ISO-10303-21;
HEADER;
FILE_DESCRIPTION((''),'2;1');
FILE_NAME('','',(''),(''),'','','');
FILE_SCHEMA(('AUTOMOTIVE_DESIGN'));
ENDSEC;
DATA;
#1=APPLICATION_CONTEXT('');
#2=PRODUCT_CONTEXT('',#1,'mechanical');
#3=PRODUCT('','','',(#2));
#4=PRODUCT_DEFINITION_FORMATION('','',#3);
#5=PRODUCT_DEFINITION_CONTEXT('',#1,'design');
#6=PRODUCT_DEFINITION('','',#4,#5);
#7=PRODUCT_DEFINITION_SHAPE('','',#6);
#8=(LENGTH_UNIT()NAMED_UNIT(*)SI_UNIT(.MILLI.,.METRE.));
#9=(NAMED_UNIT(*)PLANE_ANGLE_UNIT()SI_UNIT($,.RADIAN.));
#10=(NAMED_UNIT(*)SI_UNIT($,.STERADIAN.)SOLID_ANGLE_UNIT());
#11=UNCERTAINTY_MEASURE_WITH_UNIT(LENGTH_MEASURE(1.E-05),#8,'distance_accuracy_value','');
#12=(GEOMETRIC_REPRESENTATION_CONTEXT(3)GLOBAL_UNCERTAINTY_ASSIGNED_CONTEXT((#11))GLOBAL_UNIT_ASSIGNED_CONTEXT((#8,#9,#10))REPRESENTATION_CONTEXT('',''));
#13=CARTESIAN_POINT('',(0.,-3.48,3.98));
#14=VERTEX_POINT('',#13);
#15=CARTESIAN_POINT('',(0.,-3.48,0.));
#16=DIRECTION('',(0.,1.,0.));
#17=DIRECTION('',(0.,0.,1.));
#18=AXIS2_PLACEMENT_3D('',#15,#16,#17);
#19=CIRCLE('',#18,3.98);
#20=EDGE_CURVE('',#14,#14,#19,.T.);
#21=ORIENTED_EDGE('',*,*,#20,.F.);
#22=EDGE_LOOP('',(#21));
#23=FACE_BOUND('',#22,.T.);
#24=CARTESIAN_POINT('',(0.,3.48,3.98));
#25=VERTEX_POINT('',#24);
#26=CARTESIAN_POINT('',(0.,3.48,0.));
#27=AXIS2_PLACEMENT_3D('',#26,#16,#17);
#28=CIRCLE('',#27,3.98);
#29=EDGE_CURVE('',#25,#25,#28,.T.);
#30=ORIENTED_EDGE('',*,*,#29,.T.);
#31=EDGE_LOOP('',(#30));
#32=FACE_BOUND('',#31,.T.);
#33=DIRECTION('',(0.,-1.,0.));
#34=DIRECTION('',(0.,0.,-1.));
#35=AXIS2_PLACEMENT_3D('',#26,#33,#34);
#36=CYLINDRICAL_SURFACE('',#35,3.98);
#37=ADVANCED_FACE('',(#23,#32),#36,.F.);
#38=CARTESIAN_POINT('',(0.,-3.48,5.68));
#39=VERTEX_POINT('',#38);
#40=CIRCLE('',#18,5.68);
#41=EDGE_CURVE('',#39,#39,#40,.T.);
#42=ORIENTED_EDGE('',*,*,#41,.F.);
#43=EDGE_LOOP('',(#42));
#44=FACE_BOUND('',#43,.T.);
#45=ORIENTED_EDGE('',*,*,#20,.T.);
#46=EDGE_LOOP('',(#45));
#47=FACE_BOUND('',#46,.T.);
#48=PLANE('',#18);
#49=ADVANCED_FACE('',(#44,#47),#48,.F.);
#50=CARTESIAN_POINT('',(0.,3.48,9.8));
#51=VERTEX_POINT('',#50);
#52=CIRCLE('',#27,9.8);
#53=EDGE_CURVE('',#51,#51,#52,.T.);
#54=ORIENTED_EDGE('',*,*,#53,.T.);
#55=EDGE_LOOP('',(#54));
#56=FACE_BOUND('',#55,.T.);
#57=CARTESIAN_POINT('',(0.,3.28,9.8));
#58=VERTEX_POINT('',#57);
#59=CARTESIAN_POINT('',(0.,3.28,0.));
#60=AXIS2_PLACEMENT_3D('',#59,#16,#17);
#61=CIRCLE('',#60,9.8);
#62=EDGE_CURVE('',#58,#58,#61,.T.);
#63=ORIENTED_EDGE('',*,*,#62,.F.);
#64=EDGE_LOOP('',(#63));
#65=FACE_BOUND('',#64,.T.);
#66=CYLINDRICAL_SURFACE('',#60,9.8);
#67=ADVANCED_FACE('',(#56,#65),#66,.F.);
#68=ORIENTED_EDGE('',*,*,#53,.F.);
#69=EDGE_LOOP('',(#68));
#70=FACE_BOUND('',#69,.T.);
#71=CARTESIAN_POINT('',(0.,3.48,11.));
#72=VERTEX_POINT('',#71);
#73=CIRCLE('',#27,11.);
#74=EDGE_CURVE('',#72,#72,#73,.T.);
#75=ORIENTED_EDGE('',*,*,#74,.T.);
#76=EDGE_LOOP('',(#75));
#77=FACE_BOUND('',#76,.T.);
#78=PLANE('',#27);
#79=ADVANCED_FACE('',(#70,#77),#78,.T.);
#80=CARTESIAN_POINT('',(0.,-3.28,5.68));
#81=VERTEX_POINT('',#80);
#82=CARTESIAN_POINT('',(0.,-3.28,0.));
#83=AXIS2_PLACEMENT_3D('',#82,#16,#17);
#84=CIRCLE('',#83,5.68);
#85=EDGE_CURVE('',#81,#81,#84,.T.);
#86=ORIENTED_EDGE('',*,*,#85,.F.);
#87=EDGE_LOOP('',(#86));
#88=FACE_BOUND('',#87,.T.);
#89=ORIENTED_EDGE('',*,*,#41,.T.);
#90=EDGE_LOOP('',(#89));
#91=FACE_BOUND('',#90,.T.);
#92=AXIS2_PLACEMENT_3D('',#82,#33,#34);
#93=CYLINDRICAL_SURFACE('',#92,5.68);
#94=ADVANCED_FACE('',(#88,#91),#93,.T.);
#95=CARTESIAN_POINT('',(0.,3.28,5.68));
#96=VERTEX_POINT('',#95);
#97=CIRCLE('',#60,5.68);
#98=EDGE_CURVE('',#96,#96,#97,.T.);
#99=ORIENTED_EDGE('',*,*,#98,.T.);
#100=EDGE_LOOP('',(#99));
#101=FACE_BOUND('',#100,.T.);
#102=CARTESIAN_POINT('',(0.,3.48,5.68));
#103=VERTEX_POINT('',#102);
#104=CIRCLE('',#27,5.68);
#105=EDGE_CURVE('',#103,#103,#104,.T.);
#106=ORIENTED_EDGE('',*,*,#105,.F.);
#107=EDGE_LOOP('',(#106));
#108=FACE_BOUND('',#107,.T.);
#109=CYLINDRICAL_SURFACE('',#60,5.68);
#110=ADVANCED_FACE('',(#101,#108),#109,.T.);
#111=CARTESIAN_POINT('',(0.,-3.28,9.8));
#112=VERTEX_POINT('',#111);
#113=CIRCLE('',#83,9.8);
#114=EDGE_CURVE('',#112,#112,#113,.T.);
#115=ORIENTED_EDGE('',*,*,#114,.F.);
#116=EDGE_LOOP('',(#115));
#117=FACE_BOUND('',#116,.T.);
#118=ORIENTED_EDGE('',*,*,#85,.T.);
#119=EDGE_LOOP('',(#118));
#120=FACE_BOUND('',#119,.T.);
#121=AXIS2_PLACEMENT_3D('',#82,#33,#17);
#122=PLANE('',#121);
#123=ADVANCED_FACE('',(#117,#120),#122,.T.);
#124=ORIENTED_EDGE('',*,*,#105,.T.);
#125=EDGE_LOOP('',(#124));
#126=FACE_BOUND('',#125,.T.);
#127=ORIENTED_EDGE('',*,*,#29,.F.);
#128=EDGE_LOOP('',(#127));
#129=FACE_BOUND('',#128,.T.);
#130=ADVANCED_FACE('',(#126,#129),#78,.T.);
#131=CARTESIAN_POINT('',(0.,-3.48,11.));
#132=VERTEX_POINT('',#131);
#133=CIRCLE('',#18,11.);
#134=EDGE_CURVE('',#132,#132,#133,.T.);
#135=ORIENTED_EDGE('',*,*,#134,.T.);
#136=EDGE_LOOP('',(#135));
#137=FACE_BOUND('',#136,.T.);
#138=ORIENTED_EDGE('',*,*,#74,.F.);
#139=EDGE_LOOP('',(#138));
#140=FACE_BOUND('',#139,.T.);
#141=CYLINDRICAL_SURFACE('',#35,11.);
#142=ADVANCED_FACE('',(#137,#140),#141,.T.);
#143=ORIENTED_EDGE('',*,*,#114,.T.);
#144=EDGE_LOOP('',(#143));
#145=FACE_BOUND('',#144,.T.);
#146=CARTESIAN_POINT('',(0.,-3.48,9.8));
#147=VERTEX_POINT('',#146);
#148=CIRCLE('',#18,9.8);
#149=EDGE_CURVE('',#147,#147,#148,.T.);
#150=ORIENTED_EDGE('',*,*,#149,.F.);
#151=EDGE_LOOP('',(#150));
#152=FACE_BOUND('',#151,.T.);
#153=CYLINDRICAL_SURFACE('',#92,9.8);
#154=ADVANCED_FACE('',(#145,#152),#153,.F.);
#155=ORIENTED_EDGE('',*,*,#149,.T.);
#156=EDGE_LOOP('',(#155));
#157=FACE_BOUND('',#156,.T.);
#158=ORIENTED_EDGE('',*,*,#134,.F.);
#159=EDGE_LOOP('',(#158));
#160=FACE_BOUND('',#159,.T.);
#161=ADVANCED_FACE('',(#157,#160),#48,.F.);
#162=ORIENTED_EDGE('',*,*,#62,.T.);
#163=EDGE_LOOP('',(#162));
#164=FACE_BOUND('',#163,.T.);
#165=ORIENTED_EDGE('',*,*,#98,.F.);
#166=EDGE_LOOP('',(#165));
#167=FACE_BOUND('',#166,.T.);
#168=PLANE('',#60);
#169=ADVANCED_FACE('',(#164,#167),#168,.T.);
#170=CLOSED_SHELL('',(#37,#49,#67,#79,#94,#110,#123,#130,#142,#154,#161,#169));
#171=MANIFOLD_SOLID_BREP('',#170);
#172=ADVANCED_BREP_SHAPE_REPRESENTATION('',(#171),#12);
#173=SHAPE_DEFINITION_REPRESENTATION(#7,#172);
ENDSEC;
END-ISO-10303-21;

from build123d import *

# Parameters (mm, degrees)
SKETCH3_R           = 11
SKETCH3_R_2         = 3.98
BOSS_EXTRUDE1_DEPTH = 3.48
SKETCH4_R           = 9.8
SKETCH4_R_2         = 5.68
CUT_EXTRUDE1_DEPTH  = 0.2


with BuildPart() as part:
    # Sketch3 → Boss-Extrude1 (new, symmetric)
    with BuildSketch(Plane(origin=(0, 0, 0), x_dir=(1, 0, 0), z_dir=(0, 1, 0))):
        with Locations(Location((0, 0, 0), (0, 0, 270))):
            Circle(SKETCH3_R)
        with Locations(Location((0, 0, 0), (0, 0, 270))):
            Circle(SKETCH3_R_2, mode=Mode.SUBTRACT)
    extrude(amount=BOSS_EXTRUDE1_DEPTH, both=True)

    # Sketch4 → Cut-Extrude1 (cut)
    with BuildSketch(Plane(origin=(0, 3.48, 0), x_dir=(1, 0, 0), z_dir=(0, 1, 0))):
        with Locations(Location((0, 0, 0), (0, 0, 270))):
            Circle(SKETCH4_R)
        with Locations(Location((0, 0, 0), (0, 0, 270))):
            Circle(SKETCH4_R_2, mode=Mode.SUBTRACT)
    cut_extrude1 = extrude(amount=-CUT_EXTRUDE1_DEPTH, mode=Mode.SUBTRACT)

    # Mirror1: Cut-Extrude1 across plane
    add(cut_extrude1.mirror(Plane.ZX), mode=Mode.SUBTRACT)


solid = part.part
